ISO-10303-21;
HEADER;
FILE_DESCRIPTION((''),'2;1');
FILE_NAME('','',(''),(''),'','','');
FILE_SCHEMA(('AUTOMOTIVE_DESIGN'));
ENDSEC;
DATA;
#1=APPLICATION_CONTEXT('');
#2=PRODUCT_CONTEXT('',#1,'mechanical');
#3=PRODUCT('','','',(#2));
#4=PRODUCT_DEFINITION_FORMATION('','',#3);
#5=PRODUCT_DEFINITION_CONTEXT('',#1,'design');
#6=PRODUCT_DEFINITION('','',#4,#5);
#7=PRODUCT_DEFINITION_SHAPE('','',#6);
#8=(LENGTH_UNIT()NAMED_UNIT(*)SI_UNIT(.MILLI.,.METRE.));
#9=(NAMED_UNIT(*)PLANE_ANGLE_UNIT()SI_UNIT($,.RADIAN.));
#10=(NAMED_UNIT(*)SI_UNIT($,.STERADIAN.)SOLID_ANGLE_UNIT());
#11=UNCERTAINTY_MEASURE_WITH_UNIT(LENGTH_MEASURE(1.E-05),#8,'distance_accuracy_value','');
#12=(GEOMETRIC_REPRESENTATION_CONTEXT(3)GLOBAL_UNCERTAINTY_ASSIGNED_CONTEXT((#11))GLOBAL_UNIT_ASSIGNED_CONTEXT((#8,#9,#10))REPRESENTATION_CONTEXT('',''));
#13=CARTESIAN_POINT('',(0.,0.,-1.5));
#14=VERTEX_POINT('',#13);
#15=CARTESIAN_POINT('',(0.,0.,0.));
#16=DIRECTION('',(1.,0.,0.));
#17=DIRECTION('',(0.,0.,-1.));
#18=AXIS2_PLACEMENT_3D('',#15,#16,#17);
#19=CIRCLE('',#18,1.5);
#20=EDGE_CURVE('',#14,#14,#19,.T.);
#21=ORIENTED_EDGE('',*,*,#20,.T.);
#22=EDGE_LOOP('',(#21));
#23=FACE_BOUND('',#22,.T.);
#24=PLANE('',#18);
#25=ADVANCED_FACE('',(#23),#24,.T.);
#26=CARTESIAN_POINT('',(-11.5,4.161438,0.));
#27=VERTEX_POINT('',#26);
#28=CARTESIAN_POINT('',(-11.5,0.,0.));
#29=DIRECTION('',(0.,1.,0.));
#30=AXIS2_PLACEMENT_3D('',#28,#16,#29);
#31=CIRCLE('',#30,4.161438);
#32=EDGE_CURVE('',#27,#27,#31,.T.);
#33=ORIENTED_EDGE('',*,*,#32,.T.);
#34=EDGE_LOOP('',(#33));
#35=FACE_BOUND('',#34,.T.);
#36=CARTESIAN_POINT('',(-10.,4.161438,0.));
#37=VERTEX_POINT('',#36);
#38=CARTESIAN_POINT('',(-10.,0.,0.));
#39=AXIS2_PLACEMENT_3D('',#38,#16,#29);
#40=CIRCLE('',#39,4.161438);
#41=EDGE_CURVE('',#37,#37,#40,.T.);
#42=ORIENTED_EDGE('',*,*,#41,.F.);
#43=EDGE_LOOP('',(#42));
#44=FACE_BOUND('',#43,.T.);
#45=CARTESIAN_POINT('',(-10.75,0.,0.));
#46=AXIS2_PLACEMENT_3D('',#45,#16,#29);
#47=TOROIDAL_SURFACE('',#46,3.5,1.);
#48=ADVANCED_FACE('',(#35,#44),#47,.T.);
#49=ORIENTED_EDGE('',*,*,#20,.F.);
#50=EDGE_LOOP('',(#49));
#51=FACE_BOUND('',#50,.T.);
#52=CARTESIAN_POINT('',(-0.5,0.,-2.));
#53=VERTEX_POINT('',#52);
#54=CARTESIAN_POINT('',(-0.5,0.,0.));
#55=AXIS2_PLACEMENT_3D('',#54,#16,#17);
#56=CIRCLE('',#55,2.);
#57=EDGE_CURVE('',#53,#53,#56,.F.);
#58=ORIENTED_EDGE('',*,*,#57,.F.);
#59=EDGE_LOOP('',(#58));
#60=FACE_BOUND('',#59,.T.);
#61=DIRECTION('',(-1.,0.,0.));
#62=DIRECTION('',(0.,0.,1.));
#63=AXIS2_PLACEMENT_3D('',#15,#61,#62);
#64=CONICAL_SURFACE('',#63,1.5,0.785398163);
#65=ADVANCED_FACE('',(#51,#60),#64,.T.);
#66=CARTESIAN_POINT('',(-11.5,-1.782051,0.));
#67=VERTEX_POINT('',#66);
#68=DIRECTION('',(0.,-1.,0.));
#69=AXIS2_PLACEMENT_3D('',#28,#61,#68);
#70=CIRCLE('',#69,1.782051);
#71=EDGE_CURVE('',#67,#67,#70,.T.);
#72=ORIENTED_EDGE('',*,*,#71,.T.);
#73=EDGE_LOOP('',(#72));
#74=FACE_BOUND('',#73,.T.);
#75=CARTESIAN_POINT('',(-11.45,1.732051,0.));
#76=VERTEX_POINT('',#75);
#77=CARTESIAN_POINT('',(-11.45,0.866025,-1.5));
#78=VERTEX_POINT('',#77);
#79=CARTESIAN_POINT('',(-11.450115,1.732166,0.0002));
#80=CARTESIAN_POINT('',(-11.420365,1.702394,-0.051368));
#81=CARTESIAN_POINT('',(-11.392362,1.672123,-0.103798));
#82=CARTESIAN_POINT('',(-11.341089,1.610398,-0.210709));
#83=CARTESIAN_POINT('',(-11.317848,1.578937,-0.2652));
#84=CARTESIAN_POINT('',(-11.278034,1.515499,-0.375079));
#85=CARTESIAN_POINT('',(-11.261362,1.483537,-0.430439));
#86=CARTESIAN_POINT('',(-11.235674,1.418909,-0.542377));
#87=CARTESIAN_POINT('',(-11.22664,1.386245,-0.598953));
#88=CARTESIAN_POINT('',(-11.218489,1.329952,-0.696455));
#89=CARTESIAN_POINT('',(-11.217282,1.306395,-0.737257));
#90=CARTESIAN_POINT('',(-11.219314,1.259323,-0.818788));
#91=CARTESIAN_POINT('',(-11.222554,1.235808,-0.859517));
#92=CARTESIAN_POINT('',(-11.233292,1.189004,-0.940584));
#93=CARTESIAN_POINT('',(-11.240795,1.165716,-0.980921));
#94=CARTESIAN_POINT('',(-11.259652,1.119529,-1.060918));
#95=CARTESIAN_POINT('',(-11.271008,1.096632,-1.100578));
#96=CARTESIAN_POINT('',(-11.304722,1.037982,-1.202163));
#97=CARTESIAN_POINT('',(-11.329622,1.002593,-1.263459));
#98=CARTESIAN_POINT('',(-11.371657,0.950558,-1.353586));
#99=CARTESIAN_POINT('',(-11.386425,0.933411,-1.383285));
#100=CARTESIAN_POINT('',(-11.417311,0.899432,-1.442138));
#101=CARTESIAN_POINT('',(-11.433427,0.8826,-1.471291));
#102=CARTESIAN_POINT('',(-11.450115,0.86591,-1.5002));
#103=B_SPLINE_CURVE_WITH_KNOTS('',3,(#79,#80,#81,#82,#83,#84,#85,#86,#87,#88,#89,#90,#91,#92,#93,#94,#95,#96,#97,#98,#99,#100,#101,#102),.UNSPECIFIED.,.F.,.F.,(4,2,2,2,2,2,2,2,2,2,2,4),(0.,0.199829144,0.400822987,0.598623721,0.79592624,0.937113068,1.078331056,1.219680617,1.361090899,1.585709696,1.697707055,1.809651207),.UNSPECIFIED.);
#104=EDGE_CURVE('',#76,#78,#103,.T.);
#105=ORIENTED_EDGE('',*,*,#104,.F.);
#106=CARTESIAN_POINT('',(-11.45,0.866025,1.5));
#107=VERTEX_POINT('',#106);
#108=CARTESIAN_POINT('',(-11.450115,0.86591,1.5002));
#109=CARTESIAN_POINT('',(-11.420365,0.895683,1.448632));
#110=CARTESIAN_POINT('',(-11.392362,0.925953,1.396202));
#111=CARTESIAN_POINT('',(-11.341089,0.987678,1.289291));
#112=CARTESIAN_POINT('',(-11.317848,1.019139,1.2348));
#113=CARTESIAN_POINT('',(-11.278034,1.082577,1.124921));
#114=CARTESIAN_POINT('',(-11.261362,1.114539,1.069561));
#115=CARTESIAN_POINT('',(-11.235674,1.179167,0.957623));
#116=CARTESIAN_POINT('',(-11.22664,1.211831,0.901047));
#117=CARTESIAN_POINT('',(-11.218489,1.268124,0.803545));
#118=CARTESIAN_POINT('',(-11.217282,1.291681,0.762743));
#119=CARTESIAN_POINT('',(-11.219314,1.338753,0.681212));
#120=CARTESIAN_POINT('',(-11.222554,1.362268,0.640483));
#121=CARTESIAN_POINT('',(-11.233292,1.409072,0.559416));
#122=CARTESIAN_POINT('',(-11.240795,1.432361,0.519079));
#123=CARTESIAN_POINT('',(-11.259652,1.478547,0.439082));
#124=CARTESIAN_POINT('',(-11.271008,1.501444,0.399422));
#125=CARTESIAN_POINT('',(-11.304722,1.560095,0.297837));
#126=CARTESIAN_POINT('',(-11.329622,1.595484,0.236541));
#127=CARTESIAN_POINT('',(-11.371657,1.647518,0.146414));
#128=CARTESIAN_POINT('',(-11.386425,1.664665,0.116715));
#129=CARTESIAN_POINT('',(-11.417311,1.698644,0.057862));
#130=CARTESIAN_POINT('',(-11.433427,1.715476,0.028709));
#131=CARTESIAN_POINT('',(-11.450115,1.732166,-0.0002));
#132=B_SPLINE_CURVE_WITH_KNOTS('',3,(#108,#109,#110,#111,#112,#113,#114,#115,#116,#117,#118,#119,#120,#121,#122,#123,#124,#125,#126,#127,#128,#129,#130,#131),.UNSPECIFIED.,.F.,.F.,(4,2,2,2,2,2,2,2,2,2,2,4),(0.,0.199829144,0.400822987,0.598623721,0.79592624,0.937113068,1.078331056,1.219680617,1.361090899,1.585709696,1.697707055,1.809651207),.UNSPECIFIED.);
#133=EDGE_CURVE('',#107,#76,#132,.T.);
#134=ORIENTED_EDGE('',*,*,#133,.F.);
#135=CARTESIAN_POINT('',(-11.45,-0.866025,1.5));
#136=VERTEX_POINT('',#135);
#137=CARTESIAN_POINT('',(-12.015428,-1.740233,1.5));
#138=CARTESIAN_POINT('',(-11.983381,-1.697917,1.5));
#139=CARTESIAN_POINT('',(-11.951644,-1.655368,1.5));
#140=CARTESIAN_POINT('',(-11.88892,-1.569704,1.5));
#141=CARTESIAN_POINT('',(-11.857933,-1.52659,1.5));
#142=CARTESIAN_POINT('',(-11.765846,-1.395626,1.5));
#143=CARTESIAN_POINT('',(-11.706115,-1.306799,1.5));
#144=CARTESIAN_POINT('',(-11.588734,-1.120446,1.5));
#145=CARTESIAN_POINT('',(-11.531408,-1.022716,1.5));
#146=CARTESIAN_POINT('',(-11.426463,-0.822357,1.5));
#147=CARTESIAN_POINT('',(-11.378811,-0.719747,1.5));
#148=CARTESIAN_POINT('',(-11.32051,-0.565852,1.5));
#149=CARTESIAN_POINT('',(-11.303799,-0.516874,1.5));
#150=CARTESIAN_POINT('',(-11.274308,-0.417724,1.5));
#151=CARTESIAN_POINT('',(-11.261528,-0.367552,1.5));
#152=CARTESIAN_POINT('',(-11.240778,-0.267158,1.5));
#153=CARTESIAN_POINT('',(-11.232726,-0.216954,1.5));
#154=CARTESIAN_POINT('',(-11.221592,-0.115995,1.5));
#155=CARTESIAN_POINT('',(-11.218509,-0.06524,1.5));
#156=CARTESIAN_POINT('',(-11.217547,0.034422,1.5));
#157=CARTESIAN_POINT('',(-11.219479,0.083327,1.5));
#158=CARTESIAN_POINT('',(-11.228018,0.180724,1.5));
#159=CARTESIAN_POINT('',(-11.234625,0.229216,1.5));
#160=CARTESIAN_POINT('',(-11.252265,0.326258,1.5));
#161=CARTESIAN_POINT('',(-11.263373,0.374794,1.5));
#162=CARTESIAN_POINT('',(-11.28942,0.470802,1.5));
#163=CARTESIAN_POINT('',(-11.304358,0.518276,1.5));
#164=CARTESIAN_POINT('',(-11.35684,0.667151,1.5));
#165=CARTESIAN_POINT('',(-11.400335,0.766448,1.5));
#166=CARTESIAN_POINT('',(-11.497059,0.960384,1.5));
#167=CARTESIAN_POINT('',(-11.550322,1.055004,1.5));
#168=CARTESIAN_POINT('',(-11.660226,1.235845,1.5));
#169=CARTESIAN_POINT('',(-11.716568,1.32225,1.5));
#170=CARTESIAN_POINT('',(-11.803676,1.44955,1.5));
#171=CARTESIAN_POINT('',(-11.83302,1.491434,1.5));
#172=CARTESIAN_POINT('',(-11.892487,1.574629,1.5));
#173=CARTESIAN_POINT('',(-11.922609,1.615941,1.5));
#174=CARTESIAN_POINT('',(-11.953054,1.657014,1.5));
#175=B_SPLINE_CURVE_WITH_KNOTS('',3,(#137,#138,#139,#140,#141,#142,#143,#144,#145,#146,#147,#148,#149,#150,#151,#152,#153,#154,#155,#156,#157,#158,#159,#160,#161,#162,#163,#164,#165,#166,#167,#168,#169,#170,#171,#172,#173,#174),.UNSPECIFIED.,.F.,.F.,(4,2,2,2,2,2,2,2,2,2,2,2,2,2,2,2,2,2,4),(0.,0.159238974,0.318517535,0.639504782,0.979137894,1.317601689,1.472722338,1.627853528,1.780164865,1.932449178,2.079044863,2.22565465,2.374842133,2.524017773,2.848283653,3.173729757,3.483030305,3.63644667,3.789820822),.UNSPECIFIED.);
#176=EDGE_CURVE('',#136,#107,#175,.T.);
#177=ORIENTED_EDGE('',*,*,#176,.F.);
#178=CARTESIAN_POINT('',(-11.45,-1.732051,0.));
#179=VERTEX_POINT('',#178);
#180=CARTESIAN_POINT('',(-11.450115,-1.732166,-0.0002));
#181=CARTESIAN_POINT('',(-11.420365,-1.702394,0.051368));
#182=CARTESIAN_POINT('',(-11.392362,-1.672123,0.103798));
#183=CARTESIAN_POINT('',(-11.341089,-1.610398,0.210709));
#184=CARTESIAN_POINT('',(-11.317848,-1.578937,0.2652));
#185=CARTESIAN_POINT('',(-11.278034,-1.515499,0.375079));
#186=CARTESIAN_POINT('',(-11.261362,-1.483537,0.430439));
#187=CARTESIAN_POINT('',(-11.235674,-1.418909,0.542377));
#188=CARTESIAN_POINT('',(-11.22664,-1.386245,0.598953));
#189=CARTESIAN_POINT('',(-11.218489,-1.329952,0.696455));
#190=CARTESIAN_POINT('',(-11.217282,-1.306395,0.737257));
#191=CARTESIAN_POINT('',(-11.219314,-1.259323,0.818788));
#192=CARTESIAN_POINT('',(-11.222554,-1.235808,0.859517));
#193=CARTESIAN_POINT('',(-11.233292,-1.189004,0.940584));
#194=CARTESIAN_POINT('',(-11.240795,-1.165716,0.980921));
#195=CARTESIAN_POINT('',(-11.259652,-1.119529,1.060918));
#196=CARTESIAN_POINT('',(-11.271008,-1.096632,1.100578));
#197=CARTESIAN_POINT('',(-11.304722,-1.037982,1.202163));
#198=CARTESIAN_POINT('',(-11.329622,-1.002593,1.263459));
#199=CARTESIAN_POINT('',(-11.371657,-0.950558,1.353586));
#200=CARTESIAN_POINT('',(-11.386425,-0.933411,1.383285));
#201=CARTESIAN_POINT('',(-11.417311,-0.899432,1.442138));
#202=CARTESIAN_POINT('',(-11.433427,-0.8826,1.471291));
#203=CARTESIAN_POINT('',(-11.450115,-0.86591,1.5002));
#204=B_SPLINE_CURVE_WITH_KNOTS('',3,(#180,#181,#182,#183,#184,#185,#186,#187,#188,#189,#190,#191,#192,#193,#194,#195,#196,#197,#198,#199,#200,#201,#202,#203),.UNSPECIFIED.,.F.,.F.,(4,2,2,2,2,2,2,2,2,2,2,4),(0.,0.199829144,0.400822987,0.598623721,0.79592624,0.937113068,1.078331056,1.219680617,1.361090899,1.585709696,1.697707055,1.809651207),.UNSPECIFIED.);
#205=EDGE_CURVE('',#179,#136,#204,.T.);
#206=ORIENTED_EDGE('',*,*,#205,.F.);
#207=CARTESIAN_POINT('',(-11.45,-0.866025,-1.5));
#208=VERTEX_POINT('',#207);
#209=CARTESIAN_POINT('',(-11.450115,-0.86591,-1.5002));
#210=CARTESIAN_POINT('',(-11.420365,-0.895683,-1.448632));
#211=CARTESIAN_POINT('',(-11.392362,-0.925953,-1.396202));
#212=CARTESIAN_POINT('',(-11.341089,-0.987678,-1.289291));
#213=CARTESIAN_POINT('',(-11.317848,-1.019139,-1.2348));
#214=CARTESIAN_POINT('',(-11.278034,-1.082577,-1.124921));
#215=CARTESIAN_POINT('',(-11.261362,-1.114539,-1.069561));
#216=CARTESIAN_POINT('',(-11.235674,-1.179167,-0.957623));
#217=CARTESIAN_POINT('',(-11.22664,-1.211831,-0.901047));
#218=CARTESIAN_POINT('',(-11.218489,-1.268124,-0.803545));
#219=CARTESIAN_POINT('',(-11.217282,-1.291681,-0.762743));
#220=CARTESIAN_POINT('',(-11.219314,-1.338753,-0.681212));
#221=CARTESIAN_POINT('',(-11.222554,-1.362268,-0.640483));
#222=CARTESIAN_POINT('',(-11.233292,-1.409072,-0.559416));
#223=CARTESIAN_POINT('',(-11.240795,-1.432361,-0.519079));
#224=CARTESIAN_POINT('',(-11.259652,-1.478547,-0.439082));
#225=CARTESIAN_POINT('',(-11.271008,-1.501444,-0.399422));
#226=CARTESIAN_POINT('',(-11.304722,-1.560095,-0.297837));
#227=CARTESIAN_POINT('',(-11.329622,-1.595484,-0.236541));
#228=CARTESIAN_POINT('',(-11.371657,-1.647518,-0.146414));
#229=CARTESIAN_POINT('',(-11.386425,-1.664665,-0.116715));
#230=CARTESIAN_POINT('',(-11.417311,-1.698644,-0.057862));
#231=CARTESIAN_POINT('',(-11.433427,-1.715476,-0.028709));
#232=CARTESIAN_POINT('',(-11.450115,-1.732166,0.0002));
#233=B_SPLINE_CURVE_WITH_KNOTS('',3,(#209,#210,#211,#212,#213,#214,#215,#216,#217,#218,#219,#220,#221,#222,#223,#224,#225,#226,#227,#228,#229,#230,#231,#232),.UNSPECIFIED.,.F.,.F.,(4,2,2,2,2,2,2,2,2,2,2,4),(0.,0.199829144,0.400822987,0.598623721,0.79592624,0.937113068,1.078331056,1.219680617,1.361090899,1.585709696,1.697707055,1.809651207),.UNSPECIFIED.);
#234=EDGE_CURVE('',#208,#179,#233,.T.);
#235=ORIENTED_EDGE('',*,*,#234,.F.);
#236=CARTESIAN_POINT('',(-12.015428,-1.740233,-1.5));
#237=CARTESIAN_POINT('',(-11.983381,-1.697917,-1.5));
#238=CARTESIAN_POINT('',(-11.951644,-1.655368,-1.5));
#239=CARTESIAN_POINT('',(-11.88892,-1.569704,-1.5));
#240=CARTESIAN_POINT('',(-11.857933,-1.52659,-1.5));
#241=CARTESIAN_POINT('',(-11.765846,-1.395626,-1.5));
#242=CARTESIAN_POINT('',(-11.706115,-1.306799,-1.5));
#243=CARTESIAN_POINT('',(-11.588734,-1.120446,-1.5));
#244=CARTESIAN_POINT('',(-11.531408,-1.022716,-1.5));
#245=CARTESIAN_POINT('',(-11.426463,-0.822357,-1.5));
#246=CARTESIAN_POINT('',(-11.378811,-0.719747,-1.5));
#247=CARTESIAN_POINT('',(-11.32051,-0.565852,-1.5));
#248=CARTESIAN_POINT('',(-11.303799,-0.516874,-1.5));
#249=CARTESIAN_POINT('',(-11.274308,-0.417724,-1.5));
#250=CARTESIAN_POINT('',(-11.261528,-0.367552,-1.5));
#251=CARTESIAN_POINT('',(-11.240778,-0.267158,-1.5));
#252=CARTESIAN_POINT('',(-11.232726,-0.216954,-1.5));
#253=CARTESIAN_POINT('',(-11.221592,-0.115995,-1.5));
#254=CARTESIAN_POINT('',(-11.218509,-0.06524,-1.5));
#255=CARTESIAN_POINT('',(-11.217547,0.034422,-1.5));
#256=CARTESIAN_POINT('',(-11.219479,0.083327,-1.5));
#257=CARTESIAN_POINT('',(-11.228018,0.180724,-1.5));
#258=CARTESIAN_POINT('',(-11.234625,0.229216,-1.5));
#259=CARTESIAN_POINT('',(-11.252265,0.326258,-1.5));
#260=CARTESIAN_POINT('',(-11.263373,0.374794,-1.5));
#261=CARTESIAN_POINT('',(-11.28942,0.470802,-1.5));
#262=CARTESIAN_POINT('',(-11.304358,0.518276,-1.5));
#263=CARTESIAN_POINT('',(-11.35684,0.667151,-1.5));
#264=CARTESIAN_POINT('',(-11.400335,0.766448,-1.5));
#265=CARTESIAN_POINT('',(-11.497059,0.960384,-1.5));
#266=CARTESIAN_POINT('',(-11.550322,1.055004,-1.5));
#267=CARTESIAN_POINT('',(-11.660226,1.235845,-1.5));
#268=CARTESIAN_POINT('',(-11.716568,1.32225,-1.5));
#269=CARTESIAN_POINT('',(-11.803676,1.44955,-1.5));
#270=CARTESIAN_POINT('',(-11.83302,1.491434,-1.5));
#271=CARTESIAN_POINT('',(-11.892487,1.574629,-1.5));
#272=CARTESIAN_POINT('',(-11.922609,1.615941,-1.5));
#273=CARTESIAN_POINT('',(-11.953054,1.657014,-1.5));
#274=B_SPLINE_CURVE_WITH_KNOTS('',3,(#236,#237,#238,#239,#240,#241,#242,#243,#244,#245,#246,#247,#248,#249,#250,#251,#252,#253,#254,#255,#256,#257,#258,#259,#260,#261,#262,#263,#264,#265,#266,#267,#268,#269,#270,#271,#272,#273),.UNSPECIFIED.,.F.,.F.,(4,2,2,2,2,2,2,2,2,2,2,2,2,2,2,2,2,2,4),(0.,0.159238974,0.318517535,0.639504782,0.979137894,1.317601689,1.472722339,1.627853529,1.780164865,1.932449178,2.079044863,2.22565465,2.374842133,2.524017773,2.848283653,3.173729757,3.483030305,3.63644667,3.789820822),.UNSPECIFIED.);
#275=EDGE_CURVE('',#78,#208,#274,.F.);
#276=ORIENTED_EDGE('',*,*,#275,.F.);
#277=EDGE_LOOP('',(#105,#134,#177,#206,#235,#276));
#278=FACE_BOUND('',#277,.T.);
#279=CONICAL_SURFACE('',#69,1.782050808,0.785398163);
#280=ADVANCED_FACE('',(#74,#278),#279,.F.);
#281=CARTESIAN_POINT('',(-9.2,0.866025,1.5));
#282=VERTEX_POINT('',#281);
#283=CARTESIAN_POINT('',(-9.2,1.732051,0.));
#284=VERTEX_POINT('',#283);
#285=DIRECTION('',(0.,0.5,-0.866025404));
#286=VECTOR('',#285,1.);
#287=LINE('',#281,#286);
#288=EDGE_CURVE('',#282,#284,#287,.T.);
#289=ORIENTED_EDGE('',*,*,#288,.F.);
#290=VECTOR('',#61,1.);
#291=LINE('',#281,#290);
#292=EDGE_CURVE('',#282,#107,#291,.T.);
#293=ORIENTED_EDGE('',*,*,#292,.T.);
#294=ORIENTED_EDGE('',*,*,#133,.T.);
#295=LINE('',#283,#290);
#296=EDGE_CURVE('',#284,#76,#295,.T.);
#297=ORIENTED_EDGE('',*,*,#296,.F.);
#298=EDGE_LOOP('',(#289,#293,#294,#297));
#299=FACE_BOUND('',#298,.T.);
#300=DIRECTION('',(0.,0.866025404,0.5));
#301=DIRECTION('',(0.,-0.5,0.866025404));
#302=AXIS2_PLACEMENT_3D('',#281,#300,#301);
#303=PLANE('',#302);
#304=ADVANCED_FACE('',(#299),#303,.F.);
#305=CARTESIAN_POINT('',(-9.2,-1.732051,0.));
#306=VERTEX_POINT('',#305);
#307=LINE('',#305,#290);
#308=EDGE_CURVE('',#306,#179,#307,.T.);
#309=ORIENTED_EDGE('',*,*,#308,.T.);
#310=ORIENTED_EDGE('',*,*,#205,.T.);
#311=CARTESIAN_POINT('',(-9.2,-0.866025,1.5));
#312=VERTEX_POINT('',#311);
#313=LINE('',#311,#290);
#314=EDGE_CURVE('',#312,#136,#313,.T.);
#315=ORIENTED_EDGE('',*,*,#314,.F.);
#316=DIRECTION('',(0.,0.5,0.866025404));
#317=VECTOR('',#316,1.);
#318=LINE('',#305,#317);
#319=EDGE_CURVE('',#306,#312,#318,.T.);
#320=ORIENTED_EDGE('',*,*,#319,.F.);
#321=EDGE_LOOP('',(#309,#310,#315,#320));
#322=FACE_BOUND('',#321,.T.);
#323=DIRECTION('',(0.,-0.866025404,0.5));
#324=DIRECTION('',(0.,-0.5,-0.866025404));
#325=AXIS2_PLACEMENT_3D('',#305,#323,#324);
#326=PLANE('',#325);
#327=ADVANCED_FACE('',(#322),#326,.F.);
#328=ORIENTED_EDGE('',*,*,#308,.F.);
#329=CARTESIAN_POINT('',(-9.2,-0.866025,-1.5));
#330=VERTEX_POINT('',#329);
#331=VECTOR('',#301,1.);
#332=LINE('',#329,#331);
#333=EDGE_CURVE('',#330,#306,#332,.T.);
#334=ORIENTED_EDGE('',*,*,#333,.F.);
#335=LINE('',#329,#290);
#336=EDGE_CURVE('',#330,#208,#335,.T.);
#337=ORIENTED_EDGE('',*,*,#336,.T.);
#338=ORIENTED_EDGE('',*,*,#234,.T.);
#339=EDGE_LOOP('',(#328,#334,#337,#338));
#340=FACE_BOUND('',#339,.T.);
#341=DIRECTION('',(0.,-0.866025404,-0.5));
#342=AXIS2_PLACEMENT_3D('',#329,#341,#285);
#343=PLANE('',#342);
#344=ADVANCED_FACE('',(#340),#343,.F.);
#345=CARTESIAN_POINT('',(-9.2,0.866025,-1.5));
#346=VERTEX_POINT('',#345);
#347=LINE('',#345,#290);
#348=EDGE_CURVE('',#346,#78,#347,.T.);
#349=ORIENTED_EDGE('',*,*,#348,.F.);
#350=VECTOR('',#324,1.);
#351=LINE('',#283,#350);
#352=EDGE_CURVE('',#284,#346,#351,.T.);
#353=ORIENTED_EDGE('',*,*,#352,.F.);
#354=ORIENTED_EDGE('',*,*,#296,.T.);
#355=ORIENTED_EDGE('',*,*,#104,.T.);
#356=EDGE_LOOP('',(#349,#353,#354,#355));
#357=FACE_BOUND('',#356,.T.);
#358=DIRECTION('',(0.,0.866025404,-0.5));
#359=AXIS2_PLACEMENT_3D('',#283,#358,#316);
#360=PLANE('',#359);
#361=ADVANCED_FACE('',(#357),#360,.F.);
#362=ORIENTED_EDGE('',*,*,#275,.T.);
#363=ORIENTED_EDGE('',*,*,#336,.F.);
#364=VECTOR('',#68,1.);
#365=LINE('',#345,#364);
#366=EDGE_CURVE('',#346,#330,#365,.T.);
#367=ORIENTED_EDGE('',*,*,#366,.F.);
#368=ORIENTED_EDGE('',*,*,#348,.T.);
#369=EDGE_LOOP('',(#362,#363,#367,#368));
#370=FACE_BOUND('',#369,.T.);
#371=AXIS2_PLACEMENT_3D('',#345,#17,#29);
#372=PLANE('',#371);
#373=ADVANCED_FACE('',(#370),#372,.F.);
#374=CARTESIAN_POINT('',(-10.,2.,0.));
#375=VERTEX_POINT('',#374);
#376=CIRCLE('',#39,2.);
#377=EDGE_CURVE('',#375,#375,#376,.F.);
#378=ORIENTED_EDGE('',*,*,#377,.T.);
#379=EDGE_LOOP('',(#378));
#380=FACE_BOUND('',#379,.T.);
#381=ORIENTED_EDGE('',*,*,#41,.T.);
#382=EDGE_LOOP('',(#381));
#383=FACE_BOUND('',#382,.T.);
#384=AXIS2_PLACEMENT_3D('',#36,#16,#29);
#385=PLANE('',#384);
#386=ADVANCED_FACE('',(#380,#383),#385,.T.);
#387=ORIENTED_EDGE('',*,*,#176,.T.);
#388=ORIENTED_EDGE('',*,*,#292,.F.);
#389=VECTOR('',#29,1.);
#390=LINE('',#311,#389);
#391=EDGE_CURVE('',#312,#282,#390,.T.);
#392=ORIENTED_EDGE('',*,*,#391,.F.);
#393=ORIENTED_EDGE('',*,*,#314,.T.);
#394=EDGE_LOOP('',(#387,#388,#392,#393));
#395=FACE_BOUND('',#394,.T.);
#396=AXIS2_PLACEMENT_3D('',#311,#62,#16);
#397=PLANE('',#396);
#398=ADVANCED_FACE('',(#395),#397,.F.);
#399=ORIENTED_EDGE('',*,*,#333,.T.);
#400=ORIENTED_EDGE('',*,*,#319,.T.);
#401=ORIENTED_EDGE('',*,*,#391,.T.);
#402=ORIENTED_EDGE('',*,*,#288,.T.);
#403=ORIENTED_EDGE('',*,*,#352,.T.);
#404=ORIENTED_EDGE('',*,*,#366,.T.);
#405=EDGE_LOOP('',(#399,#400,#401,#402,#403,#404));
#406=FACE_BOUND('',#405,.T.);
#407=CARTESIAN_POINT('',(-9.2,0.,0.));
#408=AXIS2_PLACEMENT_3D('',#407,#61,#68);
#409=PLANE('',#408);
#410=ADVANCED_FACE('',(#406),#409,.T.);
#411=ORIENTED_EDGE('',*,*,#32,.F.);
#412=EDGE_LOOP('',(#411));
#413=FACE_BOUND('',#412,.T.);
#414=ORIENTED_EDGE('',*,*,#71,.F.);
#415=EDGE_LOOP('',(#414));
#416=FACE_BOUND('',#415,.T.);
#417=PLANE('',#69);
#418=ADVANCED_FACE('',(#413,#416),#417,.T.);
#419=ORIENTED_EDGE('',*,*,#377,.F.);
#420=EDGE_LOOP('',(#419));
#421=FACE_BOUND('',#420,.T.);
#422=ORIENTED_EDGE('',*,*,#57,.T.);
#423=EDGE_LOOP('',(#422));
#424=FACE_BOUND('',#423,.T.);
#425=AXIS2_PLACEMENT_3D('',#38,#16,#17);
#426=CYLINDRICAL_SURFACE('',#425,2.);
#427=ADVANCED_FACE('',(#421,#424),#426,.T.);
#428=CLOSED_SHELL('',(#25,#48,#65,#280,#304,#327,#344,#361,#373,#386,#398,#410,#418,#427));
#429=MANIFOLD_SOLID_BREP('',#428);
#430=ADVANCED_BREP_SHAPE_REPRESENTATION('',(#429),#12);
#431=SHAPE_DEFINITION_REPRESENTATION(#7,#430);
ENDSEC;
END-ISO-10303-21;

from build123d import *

# Parameters (mm, degrees)
SKETCH2_R           = 2
BOSS_EXTRUDE1_DEPTH = 10
CHAMFER1_SIZE       = 0.5
CUT_EXTRUDE1_DEPTH  = 2.3
SKETCH8_R           = 1.782050808
CUT_EXTRUDE2_DEPTH  = 1
CUT_EXTRUDE2_TAPER  = 45


with BuildPart() as part:
    # Sketch2 → Boss-Extrude1 (new body)
    with BuildSketch(Plane(origin=(0, 0, 0), x_dir=(0, 0, -1), z_dir=(1, 0, 0))):
        Circle(SKETCH2_R)
    extrude(amount=-BOSS_EXTRUDE1_DEPTH)

    # Chamfer1
    chamfer1_edges = [part.edges().sort_by_distance(p)[0] for p in [
        (0, 0, 2),
    ]]
    chamfer(chamfer1_edges, length=CHAMFER1_SIZE)

    # Sketch6 → Revolve1 (revolve)
    with BuildSketch(Plane.XY):
        with BuildLine():
            Line((-11.5, 0), (-11.5, 4.161437828))
            ThreePointArc((-11.5, 4.161437828), (-10.75, 4.5), (-10, 4.161437828))
            Line((-10, 4.161437828), (-10, 0))
            Line((-10, 0), (-11.5, 0))
        make_face()
    revolve(axis=Axis((-10, 0, 0), (-1, 0, 0)))

    # Sketch7 → Cut-Extrude1 (cut)
    with BuildSketch(Plane.ZY.offset(11.5)):
        Polygon((0, 1.732050808), (-1.5, 0.866025404), (-1.5, -0.866025404), (0, -1.732050808), (1.5, -0.866025404), (1.5, 0.866025404), align=None)
    extrude(amount=-CUT_EXTRUDE1_DEPTH, mode=Mode.SUBTRACT)

    # Sketch8 → Cut-Extrude2 (cut)
    with BuildSketch(Plane.ZY.offset(11.5)):
        Circle(SKETCH8_R)
    extrude(amount=-CUT_EXTRUDE2_DEPTH, taper=CUT_EXTRUDE2_TAPER, mode=Mode.SUBTRACT)


solid = part.part
